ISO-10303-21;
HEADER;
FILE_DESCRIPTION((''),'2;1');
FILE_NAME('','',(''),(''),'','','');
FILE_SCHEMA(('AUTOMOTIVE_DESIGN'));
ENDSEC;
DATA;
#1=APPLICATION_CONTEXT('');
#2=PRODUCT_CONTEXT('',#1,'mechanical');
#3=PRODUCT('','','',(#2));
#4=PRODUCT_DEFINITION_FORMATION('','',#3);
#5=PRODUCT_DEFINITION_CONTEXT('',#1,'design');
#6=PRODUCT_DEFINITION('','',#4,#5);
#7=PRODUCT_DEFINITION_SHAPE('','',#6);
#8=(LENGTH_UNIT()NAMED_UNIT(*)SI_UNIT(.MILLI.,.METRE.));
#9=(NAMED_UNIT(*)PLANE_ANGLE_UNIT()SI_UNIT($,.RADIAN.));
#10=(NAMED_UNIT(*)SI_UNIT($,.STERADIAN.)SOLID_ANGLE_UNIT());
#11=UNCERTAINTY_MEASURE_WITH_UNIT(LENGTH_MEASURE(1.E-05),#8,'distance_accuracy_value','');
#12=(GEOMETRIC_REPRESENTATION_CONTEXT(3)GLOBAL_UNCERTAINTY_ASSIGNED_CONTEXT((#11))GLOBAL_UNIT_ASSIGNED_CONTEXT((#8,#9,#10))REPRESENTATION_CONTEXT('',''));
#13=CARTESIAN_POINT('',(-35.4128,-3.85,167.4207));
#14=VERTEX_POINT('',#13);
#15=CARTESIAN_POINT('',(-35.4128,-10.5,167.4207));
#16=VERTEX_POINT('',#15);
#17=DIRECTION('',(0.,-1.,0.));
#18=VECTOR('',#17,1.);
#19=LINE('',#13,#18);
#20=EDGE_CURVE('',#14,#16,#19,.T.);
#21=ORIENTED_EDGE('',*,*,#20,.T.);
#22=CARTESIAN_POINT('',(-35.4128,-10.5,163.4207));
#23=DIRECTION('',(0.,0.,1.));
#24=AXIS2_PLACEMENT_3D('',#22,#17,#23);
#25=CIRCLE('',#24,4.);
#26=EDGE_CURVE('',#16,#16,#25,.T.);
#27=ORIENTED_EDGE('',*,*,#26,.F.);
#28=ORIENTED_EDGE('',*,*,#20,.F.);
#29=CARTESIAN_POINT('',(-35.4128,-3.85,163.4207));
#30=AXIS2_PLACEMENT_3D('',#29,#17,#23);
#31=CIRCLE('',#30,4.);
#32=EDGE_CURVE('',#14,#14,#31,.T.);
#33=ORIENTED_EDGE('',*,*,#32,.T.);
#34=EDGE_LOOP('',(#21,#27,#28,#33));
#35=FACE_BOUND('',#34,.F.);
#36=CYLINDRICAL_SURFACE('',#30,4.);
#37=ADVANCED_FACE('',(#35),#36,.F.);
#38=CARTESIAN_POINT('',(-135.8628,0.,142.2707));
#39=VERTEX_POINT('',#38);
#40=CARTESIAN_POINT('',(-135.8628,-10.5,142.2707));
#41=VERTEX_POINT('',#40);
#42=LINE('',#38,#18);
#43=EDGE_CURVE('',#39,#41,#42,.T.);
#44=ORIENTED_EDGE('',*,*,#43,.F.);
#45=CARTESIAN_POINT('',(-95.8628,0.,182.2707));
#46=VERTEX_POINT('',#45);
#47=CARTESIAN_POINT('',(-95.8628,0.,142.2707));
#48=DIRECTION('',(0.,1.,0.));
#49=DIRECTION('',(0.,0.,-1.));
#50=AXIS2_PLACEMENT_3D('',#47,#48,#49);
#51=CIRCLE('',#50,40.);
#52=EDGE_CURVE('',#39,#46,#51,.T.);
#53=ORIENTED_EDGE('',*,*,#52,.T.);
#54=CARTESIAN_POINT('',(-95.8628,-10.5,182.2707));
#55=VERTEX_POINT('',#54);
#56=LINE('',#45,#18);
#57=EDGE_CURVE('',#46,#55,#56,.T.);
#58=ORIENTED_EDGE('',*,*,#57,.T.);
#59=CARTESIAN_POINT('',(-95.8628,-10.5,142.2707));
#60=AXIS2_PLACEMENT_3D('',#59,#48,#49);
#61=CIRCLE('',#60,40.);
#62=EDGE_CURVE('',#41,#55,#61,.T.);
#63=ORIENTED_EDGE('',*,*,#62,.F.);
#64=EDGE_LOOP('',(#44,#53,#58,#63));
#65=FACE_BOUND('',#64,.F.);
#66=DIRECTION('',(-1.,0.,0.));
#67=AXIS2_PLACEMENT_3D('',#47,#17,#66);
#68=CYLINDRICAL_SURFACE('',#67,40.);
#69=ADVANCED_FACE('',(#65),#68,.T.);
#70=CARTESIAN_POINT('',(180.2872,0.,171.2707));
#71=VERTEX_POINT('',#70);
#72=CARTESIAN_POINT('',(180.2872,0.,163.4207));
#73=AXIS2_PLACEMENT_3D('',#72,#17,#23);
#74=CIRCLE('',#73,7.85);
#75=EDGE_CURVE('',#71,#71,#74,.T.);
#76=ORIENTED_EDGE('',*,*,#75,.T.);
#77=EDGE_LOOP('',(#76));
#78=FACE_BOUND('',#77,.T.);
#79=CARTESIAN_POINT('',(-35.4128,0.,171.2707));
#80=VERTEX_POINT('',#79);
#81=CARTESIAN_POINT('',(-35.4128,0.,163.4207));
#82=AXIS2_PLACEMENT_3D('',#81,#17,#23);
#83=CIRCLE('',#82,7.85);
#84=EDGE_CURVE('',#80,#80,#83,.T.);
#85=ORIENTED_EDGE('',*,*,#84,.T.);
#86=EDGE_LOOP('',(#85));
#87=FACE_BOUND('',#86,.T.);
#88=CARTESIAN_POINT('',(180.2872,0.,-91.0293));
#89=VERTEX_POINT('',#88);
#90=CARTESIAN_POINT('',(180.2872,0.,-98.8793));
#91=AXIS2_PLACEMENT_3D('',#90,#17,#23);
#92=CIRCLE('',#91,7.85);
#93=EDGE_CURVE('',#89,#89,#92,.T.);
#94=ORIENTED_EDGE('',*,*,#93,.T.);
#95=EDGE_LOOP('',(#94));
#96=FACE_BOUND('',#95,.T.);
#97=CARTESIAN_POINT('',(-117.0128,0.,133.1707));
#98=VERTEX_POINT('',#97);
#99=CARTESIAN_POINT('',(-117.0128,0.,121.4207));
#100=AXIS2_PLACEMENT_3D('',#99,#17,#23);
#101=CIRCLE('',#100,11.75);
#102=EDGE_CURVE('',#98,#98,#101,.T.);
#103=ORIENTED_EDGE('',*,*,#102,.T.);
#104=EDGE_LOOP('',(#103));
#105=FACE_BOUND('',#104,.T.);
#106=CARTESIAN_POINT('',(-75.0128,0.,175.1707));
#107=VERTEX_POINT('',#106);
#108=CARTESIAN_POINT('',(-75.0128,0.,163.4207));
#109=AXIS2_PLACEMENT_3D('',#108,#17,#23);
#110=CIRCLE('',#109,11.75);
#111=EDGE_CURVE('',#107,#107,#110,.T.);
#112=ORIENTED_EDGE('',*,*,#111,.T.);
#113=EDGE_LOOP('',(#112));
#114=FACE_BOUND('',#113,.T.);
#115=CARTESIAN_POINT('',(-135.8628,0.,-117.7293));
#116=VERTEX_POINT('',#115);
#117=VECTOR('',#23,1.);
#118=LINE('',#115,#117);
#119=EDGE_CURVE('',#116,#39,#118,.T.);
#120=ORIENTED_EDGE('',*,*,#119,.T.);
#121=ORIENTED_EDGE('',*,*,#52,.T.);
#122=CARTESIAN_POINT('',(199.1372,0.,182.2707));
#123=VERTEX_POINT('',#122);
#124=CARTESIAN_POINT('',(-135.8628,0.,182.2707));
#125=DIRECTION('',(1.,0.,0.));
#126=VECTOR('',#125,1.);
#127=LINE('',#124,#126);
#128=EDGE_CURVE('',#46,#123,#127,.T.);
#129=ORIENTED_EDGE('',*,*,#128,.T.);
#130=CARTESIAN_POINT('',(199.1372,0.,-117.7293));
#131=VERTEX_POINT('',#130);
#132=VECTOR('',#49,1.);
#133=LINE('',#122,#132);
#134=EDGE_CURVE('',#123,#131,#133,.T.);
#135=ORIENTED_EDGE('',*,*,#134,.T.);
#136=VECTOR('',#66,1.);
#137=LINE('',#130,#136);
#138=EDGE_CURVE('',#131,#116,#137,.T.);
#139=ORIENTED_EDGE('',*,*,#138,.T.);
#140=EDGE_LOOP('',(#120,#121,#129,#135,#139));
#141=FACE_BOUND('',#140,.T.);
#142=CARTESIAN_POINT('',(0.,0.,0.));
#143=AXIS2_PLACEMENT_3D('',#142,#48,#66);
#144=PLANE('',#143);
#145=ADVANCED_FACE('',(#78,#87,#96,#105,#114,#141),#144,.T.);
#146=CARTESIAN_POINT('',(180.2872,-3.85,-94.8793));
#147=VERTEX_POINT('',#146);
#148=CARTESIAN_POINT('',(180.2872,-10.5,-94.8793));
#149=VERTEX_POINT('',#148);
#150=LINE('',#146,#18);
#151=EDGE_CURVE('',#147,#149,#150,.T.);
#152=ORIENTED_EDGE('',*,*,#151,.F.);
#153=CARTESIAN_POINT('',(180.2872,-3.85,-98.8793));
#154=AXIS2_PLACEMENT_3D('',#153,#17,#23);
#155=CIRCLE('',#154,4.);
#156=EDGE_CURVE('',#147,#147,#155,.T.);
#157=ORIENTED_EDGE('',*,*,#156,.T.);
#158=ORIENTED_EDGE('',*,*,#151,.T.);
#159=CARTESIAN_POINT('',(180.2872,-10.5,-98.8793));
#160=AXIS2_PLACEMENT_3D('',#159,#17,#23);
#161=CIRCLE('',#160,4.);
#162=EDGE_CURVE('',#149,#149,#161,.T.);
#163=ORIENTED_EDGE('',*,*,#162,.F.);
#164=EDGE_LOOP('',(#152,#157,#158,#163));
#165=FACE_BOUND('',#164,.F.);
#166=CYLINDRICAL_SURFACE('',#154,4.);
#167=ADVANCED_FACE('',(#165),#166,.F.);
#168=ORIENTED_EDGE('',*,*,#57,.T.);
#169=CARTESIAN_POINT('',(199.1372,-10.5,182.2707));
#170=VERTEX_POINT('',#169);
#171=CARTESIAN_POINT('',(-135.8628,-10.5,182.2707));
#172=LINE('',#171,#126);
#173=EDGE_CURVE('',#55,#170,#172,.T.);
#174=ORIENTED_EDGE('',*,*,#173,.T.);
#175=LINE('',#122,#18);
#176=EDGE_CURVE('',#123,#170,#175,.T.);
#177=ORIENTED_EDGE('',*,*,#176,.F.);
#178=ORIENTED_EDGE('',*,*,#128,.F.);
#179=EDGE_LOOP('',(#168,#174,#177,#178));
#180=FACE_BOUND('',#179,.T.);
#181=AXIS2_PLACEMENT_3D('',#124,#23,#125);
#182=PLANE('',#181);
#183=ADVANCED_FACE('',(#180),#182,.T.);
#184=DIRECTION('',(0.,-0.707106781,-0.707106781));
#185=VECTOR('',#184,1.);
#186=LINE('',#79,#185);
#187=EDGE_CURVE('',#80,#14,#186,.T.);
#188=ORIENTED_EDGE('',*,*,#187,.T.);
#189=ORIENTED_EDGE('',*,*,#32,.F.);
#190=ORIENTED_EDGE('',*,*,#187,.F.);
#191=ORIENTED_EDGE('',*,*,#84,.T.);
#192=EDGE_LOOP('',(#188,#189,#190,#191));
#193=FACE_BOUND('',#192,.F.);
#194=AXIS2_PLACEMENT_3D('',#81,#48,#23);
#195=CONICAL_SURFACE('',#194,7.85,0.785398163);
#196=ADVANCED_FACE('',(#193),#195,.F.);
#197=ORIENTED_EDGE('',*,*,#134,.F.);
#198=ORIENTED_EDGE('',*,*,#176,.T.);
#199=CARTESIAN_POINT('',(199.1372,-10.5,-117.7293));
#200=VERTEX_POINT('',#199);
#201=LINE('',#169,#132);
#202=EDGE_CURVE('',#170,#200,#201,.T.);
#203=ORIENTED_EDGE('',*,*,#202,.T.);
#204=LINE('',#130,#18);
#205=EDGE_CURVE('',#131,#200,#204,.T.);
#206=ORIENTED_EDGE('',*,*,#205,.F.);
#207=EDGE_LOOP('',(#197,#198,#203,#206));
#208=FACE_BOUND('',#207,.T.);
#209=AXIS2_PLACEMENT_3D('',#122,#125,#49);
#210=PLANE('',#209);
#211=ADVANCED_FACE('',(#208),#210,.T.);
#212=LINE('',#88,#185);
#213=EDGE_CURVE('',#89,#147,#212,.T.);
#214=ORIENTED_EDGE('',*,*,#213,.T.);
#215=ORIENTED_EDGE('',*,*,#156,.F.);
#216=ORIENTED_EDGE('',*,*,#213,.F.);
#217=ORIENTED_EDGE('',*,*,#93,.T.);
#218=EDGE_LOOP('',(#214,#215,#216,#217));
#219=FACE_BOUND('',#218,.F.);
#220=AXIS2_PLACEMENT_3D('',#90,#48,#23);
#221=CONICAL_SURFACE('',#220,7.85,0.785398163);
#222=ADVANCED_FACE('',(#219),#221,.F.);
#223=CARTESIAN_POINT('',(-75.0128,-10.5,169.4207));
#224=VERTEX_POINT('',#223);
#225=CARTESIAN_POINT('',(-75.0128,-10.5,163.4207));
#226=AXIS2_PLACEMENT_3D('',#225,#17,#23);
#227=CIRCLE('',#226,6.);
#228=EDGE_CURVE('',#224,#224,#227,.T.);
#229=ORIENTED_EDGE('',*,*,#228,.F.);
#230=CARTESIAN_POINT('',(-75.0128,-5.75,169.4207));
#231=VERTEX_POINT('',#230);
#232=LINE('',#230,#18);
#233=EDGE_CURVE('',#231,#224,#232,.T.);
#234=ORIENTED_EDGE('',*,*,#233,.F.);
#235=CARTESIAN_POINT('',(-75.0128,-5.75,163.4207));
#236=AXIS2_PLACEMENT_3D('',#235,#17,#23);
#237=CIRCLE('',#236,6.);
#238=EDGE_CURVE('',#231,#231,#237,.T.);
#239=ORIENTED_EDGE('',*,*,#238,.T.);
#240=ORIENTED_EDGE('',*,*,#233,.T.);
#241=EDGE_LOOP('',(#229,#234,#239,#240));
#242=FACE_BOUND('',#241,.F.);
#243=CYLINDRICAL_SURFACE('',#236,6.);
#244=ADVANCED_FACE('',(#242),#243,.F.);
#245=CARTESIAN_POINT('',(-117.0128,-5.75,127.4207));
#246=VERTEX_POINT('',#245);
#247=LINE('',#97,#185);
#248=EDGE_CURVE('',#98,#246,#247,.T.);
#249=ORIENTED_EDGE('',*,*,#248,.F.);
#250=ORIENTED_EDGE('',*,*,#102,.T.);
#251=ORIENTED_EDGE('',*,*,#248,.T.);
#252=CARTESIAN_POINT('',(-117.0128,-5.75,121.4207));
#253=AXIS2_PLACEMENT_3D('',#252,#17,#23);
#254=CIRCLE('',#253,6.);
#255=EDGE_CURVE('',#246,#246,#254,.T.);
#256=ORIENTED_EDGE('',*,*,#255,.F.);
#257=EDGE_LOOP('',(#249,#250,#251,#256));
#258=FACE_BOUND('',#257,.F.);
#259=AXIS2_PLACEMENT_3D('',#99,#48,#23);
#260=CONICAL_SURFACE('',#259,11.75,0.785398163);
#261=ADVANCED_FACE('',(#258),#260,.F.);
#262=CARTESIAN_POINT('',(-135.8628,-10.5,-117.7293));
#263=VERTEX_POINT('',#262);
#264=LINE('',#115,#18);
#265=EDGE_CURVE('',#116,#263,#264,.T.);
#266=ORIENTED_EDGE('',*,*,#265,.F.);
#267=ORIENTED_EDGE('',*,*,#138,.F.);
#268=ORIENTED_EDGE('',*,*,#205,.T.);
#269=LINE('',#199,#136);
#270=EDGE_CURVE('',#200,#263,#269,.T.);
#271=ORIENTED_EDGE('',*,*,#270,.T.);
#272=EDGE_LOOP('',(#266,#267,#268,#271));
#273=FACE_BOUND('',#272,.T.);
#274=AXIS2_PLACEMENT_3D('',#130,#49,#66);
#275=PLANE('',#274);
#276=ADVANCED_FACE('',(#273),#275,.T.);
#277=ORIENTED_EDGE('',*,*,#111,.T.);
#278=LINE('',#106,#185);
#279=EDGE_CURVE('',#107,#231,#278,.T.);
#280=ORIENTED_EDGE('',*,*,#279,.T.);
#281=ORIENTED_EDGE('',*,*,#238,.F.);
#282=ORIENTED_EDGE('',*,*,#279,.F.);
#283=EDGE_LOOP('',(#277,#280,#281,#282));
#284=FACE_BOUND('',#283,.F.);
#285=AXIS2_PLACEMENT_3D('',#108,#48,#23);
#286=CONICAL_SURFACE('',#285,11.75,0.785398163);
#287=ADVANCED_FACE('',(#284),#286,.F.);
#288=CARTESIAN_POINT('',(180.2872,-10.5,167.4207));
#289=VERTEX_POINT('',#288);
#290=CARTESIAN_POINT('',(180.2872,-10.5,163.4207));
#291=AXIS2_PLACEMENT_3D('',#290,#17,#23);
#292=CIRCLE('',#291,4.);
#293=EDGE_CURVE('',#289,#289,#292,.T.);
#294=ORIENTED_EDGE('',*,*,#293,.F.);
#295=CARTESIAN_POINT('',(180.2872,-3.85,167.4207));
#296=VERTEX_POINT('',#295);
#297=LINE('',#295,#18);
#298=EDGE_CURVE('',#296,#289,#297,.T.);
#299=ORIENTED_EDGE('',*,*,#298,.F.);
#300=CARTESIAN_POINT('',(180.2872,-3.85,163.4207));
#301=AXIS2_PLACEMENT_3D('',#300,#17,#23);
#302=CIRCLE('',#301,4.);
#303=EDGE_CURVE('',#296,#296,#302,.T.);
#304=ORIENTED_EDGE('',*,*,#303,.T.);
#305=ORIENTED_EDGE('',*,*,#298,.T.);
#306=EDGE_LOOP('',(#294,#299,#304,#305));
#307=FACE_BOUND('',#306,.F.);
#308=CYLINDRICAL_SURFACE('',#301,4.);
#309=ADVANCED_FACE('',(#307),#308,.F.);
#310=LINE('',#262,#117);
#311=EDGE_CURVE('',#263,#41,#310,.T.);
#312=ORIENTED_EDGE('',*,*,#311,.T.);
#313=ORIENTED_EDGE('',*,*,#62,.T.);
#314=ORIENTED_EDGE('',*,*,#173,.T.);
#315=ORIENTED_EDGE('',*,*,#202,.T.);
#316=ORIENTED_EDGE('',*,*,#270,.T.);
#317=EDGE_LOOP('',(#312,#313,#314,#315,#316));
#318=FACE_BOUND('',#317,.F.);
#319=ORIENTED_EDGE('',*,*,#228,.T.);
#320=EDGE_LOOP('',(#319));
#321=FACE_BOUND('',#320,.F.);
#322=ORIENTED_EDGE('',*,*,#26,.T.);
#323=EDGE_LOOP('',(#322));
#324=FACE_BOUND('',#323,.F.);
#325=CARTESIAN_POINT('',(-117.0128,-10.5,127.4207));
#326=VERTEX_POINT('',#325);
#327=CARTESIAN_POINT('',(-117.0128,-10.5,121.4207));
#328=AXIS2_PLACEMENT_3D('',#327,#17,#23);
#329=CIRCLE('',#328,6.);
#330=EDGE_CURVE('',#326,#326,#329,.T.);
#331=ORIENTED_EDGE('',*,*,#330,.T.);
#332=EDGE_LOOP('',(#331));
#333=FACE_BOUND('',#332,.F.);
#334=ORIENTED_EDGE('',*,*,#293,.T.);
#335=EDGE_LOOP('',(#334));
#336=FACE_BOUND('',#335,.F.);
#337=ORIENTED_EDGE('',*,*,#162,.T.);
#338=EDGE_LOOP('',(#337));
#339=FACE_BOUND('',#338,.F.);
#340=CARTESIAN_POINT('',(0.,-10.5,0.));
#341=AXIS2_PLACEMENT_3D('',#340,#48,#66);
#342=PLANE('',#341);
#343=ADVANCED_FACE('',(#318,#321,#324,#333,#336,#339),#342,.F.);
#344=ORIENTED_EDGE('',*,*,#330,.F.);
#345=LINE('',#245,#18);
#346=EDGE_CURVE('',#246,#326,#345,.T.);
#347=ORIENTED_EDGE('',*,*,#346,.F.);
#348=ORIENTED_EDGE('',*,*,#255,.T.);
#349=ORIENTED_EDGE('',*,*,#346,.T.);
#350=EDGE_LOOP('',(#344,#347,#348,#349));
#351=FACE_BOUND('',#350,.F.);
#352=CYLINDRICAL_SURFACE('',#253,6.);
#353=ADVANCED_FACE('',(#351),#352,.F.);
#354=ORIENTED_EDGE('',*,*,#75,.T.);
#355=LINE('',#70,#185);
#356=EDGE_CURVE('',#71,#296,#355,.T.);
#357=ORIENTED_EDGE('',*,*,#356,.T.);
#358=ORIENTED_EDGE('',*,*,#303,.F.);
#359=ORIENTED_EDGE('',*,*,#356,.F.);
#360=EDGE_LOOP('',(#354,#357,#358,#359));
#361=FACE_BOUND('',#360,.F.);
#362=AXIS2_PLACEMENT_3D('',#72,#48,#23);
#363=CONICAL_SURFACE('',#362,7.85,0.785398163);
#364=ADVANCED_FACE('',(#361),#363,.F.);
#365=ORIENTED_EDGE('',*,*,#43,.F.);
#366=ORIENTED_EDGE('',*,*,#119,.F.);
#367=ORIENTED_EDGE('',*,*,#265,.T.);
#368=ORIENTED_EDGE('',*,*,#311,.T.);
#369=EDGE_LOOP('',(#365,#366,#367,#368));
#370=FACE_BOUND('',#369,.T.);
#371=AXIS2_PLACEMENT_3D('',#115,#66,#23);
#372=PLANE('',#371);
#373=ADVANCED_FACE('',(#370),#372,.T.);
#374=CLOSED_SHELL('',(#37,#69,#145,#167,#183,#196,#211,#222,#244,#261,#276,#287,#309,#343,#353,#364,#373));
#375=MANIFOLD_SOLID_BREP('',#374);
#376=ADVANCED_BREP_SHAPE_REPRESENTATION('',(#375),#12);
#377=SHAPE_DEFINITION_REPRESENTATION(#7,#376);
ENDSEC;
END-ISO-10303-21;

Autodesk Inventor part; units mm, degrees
ref_plane "YZ Plane" through (0, 0, 0) normal (1, 0, 0) x (0, 1, 0)
ref_plane "XZ Plane" through (0, 0, 0) normal (0, 1, 0) x (-1, 0, 0)
ref_plane "XY Plane" through (0, 0, 0) normal (0, 0, 1) x (1, 0, 0)
sketch "Sketch1" plane through (0, 0, 0) normal (0, 1, 0) x (-1, 0, 0)
  line L0 (135.8628, 182.2707) -> (-199.1372, 182.2707)
  line L1 (-199.1372, 182.2707) -> (-199.1372, -117.7293)
  line L2 (-199.1372, -117.7293) -> (135.8628, -117.7293)
  line L3 (135.8628, -117.7293) -> (135.8628, 182.2707)
  circle A0 centre (-46.1372, -301.7293) radius 4.5 projected
  circle A1 centre (19.8628, -367.7293) radius 4.5 projected
  circle A2 centre (19.8628, -235.7293) radius 4.5 projected
  circle A3 centre (85.8628, -301.7293) radius 4.5 projected
  line L4 (83.3404, -354.6002) -> (128.9488, -400.2086) projected
  arc A4 (128.9488, -400.2086) -> (135.8628, -377.7293) centre (95.8628, -377.7293) ccw projected
  line L5 (135.8628, -377.7293) -> (135.8628, -117.7293) projected
  line L6 (135.8628, -117.7293) -> (-199.1372, -117.7293) projected
  line L7 (-199.1372, -117.7293) -> (-199.1372, -417.7293) projected
  line L8 (-199.1372, -417.7293) -> (95.8628, -417.7293) projected
  arc A5 (95.8628, -417.7293) -> (118.3422, -410.8152) centre (95.8628, -377.7293) ccw projected
  line L9 (118.3422, -410.8152) -> (72.7338, -365.2068) projected
  arc A6 (83.3404, -354.6002) -> (72.7338, -365.2068) centre (78.0371, -359.9035) ccw projected
  circle A7 centre (117.0128, -356.8793) radius 11.75 projected
  circle A8 centre (75.0128, -398.8793) radius 11.75 projected
  circle A9 centre (35.4128, -398.8793) radius 7.85 projected
  circle A10 centre (117.0128, -317.2793) radius 7.85 projected
  circle A11 centre (-180.2872, -136.5793) radius 7.85 projected
  circle A12 centre (-180.2872, -398.8793) radius 7.85 projected
  circle A13 centre (117.0128, -136.5793) radius 7.85 projected
  point P0 (0, 0)
  point P1 (117.0128, 121.4207)
  point P2 (75.0128, 163.4207)
  point P3 (35.4128, 163.4207)
  point P4 (-180.2872, -98.8793)
  point P5 (-180.2872, 163.4207)
  point P6 (117.0128, 121.4207)
  point P7 (75.0128, 163.4207)
  point P8 (35.4128, 163.4207)
  point P9 (-180.2872, 163.4207)
  point P10 (-180.2872, -98.8793)
  dimension "d0" = 335
  dimension "d1" = 300
  dimension "d2" = 0
  dimension "d3" = 0
extrude "Extrusion1" add sketch "Sketch1" against normal blind 10.5 contours L3 L2 L1 L0
hole "Hole1" at (-117.0128, 0, 121.4207) at (-75.0128, 0, 163.4207) direction (0, -1, 0) diameter 12 end through all countersink diameter 23.5 countersink angle 90
hole "Hole2" at (-35.4128, 0, 163.4207) at (180.2872, 0, 163.4207) at (180.2872, 0, -98.8793) direction (0, -1, 0) diameter 8 end through all countersink diameter 15.7 countersink angle 90
fillet "Fillet1" radius 40 1 edges at (-135.8628, -5.25, 182.2707)
properties part number "Left bottom plate"
